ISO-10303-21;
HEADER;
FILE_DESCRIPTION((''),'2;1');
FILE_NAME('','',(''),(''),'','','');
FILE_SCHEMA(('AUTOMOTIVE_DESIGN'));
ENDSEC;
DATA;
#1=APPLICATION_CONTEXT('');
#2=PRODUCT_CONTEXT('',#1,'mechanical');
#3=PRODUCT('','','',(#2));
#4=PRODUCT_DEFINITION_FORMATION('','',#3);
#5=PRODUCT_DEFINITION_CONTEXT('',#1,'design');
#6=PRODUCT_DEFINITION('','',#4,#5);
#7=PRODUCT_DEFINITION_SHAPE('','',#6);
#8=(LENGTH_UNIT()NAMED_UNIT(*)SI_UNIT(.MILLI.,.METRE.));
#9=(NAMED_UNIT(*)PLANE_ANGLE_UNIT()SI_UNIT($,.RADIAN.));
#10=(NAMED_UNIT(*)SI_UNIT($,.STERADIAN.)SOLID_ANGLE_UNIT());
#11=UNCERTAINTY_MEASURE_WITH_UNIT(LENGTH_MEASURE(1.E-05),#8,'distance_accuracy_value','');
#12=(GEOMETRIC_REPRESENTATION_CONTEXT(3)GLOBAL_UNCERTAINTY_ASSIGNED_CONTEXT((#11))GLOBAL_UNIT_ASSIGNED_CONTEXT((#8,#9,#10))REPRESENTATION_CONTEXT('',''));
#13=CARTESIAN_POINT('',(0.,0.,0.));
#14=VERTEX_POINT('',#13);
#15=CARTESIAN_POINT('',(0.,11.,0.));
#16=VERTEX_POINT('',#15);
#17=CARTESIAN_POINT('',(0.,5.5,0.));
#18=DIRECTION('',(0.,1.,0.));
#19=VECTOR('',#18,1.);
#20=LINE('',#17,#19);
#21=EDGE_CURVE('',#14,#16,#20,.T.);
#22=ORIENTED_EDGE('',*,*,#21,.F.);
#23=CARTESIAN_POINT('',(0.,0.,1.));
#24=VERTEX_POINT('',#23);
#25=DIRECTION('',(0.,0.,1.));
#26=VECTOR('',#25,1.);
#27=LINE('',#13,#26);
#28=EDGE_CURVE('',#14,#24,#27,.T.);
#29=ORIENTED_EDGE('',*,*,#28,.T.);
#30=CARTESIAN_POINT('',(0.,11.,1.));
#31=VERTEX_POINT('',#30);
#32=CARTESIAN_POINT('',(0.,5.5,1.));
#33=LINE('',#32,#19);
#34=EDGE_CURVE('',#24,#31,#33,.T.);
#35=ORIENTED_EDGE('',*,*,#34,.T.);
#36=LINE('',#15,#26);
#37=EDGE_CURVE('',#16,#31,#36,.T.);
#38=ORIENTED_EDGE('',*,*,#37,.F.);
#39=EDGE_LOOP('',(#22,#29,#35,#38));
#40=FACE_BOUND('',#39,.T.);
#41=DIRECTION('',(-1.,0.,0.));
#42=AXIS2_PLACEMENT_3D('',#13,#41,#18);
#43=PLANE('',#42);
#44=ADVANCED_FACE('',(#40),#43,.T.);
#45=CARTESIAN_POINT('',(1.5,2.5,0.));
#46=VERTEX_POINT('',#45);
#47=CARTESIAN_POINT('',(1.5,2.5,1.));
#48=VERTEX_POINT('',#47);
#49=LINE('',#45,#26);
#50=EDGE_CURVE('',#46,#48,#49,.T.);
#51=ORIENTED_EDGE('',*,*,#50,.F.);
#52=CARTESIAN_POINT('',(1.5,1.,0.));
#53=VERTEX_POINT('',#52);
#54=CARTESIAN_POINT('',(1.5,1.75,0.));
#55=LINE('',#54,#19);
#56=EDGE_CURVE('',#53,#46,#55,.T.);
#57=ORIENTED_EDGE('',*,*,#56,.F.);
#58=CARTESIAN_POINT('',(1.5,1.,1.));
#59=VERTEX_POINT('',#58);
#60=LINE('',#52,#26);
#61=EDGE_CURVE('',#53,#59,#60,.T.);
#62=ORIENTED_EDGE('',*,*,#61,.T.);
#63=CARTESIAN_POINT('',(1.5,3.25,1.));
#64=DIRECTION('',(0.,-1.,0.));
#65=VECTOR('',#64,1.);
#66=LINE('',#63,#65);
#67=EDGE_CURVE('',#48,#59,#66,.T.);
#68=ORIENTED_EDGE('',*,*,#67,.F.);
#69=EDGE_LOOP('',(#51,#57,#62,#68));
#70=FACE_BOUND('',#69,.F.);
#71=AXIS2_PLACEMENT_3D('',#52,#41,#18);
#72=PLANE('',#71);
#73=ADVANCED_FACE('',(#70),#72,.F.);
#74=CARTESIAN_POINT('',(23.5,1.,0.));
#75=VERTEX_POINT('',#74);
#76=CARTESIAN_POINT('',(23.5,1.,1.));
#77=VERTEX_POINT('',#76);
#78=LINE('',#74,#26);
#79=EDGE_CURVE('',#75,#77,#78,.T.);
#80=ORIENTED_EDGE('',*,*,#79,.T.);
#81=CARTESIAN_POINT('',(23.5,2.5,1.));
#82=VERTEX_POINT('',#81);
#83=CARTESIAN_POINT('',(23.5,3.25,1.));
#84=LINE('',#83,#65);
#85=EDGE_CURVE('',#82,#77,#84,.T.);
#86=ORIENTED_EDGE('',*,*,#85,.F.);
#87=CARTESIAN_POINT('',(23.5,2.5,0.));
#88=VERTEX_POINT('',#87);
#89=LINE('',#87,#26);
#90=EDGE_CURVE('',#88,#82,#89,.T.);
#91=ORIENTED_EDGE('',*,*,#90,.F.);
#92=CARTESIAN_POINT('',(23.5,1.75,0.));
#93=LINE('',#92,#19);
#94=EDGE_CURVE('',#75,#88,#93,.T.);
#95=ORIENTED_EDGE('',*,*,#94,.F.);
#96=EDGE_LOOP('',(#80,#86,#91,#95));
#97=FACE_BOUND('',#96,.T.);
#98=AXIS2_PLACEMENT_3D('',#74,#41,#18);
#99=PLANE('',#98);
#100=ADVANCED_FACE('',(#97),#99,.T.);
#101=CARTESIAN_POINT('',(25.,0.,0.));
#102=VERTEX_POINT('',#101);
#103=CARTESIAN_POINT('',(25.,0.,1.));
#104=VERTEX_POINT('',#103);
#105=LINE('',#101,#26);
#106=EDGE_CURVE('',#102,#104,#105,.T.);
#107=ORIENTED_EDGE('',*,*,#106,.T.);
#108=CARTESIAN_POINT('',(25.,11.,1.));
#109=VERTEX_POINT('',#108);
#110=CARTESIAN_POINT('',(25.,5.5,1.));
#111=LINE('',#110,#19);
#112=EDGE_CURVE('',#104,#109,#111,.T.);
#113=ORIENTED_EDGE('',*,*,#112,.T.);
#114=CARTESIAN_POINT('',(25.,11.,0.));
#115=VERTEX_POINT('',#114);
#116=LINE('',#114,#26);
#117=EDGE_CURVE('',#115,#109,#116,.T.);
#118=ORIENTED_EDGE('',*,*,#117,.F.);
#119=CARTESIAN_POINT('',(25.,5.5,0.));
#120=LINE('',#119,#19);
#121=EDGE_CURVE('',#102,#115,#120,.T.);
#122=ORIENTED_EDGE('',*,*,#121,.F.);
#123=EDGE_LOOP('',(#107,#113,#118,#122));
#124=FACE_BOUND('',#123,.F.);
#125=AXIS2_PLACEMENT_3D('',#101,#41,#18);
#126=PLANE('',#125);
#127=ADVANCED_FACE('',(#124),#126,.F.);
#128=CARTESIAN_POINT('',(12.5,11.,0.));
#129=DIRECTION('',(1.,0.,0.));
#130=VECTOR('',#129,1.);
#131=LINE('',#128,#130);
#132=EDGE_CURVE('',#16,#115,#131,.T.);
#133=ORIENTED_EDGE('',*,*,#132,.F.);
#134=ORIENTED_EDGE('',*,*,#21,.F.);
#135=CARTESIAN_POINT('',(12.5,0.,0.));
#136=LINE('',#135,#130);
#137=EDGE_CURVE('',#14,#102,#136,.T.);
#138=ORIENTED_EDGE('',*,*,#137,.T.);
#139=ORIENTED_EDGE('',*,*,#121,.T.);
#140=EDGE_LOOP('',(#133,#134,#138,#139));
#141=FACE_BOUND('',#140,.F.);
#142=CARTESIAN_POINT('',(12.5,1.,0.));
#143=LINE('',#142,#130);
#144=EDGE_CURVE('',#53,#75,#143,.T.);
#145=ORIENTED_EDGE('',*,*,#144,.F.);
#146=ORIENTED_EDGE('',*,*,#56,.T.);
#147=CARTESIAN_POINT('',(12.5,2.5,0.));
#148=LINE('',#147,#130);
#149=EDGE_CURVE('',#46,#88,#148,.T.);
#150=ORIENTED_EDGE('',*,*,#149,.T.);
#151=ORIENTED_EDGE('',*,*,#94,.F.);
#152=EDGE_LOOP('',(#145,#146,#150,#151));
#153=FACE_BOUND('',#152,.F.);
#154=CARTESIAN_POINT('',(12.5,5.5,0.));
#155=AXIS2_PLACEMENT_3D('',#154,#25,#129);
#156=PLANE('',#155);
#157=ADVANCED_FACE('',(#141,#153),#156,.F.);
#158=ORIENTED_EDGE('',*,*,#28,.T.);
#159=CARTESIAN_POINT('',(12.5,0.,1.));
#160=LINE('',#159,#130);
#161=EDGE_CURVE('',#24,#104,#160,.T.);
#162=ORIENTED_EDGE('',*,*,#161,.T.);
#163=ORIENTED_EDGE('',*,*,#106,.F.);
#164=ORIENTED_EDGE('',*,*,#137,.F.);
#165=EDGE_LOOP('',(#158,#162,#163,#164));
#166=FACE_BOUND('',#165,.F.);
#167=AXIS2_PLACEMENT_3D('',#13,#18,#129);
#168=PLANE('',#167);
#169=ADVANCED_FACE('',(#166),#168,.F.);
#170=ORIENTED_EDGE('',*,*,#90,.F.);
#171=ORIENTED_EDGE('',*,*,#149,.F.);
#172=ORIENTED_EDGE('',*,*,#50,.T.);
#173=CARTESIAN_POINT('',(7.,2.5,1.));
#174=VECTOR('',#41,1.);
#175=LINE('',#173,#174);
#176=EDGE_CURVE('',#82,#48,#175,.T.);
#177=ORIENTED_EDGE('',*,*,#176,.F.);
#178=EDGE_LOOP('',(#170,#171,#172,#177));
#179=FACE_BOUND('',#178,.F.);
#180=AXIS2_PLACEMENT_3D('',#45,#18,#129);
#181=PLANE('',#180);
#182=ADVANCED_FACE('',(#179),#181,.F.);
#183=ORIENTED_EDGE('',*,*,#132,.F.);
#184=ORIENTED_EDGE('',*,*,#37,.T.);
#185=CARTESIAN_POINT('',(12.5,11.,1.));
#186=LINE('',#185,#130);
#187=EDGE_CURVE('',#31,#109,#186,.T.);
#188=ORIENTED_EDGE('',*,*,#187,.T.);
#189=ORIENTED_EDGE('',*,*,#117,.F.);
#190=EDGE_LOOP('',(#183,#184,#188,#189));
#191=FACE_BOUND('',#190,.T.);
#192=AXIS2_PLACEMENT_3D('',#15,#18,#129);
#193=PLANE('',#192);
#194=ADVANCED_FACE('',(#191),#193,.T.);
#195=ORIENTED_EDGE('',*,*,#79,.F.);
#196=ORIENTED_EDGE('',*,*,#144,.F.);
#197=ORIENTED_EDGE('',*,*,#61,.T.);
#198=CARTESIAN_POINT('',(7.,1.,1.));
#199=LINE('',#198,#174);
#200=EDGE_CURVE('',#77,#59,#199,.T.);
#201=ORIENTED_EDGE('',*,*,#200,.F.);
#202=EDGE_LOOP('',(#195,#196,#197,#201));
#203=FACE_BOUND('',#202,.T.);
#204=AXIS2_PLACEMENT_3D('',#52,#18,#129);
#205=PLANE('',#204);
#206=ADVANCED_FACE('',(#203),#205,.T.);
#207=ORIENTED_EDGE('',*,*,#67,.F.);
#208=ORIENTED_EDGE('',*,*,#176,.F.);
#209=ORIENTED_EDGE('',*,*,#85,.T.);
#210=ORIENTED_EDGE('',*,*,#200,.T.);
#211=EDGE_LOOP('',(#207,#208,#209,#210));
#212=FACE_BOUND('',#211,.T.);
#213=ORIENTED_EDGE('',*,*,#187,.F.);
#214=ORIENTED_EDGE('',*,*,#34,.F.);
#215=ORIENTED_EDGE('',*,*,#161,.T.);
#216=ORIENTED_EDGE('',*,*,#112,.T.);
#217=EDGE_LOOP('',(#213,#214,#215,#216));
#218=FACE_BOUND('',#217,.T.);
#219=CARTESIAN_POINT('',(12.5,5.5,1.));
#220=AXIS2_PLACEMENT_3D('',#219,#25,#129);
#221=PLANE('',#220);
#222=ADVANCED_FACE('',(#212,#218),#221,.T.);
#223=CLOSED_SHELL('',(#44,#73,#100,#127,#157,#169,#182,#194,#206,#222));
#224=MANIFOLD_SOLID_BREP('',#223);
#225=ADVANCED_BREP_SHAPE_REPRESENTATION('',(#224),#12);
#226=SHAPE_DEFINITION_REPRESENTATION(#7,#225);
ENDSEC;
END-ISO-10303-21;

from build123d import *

# Parameters (mm, degrees)
BOX126_W     = 22
BOX126_H     = 1.5
BOX126_DEPTH = 2
BOX125_W     = 25
BOX125_H     = 11
BOX125_DEPTH = 1


with BuildPart() as longledhole003:
    # Box126 → Box126 (new body)
    with BuildSketch(Plane(origin=(1.5, 1, 0), x_dir=(1, 0, 0), z_dir=(0, 0, 1))):
        with Locations((11, 0.75)):
            Rectangle(BOX126_W, BOX126_H)
    extrude(amount=BOX126_DEPTH)


with BuildPart() as cut020:
    # Box125 → Box125 (new body)
    with BuildSketch(Plane.XY):
        with Locations((12.5, 5.5)):
            Rectangle(BOX125_W, BOX125_H)
    extrude(amount=BOX125_DEPTH)

    # Cut020: cut LongLedHole003
    add(longledhole003.part, mode=Mode.SUBTRACT)


solid = cut020.part
